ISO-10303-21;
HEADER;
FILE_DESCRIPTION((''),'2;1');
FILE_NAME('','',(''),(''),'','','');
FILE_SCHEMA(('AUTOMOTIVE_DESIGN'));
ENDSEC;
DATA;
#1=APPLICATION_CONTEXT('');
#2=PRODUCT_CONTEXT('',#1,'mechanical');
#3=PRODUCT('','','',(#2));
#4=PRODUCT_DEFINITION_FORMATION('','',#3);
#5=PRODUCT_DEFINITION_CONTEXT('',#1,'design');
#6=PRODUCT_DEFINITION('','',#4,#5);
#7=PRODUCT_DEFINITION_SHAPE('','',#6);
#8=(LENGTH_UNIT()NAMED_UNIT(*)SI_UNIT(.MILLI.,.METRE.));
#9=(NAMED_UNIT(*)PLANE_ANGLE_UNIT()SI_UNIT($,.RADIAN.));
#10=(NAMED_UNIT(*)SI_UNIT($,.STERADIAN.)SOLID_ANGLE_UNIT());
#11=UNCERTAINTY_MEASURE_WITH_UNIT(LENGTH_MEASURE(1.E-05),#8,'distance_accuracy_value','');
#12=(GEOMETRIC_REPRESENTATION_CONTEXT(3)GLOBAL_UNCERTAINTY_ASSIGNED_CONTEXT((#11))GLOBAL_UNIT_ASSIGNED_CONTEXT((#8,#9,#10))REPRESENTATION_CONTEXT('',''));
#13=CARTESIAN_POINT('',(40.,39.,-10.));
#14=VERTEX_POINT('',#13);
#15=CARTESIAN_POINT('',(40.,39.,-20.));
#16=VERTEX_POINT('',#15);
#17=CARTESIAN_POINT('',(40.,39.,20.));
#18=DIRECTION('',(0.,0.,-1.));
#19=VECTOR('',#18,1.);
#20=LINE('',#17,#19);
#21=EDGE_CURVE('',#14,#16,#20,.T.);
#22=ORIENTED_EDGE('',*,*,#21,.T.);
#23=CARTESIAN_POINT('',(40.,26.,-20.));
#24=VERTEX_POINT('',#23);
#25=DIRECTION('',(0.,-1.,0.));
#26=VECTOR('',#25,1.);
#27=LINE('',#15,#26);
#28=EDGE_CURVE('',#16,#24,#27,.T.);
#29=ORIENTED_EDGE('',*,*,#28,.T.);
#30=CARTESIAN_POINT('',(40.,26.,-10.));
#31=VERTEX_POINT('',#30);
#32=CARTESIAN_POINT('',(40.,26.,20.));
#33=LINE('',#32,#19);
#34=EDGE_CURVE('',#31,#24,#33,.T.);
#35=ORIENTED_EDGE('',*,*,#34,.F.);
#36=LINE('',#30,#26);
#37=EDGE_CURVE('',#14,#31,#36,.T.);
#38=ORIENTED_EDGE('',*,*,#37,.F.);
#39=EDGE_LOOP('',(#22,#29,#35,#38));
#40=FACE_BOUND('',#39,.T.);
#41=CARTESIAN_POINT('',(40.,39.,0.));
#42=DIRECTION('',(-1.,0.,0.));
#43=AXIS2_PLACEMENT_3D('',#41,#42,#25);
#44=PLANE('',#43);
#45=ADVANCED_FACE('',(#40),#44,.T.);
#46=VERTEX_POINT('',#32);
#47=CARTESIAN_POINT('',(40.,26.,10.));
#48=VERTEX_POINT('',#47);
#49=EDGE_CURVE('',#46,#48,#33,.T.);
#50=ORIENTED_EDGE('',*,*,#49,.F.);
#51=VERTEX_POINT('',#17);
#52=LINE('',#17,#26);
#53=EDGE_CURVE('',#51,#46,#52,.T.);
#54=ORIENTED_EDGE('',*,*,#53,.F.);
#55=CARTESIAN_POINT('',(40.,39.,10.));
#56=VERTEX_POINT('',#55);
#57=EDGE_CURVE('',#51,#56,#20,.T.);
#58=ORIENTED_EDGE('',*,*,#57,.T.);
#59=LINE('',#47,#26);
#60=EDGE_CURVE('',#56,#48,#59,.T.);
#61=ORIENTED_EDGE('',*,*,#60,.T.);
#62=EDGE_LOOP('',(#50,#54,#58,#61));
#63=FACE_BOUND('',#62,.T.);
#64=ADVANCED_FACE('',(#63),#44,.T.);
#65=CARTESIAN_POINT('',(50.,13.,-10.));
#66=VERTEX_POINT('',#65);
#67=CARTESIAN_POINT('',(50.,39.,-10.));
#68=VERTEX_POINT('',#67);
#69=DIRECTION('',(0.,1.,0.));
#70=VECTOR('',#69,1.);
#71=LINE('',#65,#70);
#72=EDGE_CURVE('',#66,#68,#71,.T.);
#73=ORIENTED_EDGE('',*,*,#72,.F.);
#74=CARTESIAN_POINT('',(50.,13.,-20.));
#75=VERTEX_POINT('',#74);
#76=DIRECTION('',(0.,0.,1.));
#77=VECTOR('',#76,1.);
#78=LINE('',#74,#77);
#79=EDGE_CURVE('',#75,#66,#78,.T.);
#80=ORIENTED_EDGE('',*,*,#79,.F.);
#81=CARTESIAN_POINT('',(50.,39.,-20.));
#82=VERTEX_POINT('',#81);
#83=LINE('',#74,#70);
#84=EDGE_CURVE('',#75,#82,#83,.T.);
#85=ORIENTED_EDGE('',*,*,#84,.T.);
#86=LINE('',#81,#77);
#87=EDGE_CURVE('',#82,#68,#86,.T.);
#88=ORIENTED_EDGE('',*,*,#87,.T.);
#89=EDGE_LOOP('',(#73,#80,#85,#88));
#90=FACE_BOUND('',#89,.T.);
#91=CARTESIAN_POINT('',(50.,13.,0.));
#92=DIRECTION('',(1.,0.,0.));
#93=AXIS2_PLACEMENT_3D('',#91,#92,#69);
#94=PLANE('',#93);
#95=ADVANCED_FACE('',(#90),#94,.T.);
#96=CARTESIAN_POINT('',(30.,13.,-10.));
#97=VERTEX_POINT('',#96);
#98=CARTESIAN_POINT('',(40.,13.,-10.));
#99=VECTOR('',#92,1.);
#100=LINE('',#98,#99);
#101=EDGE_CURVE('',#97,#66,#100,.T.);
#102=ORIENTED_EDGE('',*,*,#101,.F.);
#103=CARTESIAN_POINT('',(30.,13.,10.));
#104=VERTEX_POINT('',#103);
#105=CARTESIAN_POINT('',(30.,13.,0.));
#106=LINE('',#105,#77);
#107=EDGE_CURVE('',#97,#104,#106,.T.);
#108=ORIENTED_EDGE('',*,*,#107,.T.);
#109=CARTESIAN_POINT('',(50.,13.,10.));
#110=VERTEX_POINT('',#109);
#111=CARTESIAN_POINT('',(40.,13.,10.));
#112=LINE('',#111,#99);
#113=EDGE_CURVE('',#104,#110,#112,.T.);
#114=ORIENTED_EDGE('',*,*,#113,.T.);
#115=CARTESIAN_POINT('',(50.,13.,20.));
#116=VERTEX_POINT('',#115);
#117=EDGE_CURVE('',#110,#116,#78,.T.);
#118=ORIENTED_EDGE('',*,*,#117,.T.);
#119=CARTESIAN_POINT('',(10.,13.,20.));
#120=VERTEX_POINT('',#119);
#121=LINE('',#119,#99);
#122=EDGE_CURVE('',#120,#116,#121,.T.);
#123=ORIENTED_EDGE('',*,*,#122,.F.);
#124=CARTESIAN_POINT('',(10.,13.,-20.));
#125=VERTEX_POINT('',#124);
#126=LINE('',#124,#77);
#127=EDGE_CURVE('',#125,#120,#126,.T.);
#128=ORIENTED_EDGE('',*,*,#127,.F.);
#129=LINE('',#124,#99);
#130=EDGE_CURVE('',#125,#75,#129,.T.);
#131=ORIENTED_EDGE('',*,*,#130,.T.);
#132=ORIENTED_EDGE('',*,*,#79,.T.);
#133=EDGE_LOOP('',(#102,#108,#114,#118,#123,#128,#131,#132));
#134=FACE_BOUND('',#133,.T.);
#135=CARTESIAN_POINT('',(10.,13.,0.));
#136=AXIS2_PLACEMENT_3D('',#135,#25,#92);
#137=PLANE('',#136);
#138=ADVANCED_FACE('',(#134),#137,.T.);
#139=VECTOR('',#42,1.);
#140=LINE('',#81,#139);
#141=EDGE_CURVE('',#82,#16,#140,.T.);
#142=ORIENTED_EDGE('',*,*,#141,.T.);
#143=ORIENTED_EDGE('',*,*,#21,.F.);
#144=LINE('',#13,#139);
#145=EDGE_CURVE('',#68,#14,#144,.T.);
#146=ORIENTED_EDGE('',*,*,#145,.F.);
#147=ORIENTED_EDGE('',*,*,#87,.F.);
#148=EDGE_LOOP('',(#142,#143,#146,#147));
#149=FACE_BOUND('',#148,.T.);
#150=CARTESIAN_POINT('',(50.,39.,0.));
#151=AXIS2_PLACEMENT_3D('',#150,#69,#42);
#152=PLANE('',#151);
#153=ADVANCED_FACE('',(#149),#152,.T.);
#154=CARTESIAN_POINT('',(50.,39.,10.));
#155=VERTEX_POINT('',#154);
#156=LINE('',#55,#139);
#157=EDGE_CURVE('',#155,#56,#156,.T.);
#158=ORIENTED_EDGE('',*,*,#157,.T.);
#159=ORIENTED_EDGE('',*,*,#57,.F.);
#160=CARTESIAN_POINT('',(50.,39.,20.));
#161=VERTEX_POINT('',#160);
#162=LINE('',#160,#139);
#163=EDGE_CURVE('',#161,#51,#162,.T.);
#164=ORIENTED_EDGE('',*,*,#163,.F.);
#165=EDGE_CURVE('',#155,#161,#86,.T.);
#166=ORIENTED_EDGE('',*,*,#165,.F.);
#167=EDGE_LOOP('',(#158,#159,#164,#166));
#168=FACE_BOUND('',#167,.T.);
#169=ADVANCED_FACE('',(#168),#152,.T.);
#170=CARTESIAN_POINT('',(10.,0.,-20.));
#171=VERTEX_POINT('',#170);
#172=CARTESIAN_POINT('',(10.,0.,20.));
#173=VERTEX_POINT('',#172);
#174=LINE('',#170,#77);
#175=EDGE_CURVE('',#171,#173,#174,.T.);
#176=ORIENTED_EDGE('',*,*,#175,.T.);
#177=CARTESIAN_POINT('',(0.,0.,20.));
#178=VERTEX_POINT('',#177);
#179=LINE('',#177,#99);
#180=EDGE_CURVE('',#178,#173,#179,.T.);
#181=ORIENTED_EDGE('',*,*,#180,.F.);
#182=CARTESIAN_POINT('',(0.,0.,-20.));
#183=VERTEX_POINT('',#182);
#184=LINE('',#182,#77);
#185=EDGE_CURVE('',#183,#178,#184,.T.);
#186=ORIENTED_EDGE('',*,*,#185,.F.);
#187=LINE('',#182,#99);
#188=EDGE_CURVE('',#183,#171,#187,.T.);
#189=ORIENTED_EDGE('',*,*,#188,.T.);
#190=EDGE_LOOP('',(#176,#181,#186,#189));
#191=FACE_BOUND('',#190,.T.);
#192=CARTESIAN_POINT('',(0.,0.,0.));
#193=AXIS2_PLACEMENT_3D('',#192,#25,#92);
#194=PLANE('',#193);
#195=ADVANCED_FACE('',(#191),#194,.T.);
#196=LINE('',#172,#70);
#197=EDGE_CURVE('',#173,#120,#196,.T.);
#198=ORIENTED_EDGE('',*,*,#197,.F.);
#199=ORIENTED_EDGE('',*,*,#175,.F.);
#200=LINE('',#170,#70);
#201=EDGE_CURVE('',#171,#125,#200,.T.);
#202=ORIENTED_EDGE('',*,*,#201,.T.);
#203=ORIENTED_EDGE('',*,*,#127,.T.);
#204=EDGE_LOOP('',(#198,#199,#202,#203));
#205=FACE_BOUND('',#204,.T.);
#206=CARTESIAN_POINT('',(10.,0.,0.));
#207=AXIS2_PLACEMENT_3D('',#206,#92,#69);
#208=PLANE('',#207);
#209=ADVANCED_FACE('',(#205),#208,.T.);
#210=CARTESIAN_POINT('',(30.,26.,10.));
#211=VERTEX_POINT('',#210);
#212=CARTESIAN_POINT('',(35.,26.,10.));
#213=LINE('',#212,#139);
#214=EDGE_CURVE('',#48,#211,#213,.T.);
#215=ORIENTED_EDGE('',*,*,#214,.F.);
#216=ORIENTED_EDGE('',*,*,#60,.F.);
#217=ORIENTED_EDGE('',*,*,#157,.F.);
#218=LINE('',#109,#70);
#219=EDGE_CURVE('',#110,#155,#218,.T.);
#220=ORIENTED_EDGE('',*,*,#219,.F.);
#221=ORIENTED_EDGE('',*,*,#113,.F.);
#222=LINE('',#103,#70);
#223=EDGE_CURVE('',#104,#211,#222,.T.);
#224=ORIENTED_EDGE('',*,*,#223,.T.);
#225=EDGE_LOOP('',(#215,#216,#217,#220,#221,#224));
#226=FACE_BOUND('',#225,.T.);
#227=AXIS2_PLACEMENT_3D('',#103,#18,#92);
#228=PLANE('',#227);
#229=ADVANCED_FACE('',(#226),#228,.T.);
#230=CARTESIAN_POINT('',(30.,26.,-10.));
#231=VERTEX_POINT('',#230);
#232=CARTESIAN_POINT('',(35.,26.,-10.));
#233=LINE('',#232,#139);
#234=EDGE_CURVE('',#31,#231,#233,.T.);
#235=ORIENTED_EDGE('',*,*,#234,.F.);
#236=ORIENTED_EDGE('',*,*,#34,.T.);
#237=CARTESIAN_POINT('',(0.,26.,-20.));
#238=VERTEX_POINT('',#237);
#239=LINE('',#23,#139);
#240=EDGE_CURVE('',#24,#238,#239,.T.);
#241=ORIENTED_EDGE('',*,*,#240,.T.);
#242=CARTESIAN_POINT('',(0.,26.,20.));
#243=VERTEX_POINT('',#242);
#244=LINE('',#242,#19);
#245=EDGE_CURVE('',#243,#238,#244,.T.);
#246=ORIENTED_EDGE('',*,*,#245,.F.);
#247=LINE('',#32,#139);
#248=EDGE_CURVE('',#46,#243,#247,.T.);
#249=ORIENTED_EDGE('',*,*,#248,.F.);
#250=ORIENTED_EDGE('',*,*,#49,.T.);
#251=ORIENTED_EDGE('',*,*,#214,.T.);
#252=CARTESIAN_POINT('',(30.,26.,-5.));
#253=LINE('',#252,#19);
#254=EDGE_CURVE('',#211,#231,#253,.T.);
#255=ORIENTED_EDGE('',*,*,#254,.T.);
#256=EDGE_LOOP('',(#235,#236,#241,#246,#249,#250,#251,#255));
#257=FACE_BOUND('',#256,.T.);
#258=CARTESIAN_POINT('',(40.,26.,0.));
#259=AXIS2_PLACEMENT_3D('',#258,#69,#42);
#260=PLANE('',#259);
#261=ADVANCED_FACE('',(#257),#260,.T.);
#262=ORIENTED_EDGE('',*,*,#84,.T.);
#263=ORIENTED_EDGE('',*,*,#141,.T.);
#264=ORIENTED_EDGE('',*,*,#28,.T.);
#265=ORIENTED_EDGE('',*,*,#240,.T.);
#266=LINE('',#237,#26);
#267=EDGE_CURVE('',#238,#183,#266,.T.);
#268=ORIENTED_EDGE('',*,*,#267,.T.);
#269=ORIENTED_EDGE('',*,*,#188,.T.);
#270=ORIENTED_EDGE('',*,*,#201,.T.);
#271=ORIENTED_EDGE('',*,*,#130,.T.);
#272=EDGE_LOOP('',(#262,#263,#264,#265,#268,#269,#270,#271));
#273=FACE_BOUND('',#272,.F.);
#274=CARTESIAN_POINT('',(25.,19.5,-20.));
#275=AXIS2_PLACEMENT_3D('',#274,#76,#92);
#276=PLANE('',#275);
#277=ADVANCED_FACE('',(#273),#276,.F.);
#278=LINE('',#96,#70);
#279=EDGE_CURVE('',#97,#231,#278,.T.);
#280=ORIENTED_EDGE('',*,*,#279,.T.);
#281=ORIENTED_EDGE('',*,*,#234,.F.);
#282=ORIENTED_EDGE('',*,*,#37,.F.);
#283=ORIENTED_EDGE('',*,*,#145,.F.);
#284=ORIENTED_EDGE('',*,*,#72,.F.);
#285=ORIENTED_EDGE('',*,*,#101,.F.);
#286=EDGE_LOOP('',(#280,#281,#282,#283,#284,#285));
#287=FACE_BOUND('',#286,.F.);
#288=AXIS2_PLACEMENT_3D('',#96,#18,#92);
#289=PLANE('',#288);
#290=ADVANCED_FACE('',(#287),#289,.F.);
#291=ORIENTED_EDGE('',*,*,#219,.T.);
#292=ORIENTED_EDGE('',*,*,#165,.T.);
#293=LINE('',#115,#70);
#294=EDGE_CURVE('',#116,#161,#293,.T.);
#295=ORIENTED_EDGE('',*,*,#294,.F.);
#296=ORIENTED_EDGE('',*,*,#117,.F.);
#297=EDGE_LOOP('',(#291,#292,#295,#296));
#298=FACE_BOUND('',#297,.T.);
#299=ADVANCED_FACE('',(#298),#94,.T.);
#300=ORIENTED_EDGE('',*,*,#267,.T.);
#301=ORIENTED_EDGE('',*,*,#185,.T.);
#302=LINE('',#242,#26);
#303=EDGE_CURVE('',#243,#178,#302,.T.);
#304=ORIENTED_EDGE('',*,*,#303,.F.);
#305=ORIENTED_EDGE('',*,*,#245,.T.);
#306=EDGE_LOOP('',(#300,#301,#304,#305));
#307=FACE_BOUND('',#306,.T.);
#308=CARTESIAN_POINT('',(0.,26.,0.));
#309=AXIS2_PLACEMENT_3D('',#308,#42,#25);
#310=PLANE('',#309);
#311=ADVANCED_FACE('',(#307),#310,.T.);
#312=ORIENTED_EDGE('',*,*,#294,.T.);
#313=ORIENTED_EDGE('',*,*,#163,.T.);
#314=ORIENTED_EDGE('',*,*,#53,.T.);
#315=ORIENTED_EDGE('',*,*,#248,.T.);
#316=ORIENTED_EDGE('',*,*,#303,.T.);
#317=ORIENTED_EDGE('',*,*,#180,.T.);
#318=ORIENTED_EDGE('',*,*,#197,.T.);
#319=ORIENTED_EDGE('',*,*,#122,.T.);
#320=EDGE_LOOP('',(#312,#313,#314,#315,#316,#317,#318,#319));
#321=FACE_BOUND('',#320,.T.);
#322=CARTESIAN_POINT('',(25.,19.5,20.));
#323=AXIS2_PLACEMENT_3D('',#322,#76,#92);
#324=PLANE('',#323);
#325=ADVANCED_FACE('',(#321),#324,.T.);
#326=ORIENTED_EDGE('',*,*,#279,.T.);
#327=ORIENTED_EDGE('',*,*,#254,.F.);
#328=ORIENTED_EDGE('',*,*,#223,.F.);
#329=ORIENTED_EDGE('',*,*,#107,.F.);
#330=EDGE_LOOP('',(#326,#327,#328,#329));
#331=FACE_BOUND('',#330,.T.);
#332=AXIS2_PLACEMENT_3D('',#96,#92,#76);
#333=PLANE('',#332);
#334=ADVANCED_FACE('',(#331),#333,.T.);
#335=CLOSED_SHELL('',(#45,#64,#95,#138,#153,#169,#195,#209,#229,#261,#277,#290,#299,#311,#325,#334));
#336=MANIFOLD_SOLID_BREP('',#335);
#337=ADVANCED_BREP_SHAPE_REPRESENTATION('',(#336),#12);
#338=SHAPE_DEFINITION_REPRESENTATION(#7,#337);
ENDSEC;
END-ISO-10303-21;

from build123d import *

# Parameters (mm, degrees)
F1_DEPTH = 20
F2_W     = 20
F2_H     = 20
F3_DEPTH = 26.001


with BuildPart() as f1:
    # F0 (on Top) → F1 (new body, symmetric)
    with BuildSketch(Plane.XY):
        Polygon((0, 26), (0, 0), (10, 0), (10, 13), (50, 13), (50, 39), (40, 39), (40, 26), align=None)
    extrude(amount=F1_DEPTH, both=True)

    # F2 (on face) → F3 (cut, through all)
    with BuildSketch(Plane.XZ.offset(-13)):
        with Locations((40, 0)):
            Rectangle(F2_W, F2_H)
    extrude(amount=-F3_DEPTH, mode=Mode.SUBTRACT)


solid = f1.part
